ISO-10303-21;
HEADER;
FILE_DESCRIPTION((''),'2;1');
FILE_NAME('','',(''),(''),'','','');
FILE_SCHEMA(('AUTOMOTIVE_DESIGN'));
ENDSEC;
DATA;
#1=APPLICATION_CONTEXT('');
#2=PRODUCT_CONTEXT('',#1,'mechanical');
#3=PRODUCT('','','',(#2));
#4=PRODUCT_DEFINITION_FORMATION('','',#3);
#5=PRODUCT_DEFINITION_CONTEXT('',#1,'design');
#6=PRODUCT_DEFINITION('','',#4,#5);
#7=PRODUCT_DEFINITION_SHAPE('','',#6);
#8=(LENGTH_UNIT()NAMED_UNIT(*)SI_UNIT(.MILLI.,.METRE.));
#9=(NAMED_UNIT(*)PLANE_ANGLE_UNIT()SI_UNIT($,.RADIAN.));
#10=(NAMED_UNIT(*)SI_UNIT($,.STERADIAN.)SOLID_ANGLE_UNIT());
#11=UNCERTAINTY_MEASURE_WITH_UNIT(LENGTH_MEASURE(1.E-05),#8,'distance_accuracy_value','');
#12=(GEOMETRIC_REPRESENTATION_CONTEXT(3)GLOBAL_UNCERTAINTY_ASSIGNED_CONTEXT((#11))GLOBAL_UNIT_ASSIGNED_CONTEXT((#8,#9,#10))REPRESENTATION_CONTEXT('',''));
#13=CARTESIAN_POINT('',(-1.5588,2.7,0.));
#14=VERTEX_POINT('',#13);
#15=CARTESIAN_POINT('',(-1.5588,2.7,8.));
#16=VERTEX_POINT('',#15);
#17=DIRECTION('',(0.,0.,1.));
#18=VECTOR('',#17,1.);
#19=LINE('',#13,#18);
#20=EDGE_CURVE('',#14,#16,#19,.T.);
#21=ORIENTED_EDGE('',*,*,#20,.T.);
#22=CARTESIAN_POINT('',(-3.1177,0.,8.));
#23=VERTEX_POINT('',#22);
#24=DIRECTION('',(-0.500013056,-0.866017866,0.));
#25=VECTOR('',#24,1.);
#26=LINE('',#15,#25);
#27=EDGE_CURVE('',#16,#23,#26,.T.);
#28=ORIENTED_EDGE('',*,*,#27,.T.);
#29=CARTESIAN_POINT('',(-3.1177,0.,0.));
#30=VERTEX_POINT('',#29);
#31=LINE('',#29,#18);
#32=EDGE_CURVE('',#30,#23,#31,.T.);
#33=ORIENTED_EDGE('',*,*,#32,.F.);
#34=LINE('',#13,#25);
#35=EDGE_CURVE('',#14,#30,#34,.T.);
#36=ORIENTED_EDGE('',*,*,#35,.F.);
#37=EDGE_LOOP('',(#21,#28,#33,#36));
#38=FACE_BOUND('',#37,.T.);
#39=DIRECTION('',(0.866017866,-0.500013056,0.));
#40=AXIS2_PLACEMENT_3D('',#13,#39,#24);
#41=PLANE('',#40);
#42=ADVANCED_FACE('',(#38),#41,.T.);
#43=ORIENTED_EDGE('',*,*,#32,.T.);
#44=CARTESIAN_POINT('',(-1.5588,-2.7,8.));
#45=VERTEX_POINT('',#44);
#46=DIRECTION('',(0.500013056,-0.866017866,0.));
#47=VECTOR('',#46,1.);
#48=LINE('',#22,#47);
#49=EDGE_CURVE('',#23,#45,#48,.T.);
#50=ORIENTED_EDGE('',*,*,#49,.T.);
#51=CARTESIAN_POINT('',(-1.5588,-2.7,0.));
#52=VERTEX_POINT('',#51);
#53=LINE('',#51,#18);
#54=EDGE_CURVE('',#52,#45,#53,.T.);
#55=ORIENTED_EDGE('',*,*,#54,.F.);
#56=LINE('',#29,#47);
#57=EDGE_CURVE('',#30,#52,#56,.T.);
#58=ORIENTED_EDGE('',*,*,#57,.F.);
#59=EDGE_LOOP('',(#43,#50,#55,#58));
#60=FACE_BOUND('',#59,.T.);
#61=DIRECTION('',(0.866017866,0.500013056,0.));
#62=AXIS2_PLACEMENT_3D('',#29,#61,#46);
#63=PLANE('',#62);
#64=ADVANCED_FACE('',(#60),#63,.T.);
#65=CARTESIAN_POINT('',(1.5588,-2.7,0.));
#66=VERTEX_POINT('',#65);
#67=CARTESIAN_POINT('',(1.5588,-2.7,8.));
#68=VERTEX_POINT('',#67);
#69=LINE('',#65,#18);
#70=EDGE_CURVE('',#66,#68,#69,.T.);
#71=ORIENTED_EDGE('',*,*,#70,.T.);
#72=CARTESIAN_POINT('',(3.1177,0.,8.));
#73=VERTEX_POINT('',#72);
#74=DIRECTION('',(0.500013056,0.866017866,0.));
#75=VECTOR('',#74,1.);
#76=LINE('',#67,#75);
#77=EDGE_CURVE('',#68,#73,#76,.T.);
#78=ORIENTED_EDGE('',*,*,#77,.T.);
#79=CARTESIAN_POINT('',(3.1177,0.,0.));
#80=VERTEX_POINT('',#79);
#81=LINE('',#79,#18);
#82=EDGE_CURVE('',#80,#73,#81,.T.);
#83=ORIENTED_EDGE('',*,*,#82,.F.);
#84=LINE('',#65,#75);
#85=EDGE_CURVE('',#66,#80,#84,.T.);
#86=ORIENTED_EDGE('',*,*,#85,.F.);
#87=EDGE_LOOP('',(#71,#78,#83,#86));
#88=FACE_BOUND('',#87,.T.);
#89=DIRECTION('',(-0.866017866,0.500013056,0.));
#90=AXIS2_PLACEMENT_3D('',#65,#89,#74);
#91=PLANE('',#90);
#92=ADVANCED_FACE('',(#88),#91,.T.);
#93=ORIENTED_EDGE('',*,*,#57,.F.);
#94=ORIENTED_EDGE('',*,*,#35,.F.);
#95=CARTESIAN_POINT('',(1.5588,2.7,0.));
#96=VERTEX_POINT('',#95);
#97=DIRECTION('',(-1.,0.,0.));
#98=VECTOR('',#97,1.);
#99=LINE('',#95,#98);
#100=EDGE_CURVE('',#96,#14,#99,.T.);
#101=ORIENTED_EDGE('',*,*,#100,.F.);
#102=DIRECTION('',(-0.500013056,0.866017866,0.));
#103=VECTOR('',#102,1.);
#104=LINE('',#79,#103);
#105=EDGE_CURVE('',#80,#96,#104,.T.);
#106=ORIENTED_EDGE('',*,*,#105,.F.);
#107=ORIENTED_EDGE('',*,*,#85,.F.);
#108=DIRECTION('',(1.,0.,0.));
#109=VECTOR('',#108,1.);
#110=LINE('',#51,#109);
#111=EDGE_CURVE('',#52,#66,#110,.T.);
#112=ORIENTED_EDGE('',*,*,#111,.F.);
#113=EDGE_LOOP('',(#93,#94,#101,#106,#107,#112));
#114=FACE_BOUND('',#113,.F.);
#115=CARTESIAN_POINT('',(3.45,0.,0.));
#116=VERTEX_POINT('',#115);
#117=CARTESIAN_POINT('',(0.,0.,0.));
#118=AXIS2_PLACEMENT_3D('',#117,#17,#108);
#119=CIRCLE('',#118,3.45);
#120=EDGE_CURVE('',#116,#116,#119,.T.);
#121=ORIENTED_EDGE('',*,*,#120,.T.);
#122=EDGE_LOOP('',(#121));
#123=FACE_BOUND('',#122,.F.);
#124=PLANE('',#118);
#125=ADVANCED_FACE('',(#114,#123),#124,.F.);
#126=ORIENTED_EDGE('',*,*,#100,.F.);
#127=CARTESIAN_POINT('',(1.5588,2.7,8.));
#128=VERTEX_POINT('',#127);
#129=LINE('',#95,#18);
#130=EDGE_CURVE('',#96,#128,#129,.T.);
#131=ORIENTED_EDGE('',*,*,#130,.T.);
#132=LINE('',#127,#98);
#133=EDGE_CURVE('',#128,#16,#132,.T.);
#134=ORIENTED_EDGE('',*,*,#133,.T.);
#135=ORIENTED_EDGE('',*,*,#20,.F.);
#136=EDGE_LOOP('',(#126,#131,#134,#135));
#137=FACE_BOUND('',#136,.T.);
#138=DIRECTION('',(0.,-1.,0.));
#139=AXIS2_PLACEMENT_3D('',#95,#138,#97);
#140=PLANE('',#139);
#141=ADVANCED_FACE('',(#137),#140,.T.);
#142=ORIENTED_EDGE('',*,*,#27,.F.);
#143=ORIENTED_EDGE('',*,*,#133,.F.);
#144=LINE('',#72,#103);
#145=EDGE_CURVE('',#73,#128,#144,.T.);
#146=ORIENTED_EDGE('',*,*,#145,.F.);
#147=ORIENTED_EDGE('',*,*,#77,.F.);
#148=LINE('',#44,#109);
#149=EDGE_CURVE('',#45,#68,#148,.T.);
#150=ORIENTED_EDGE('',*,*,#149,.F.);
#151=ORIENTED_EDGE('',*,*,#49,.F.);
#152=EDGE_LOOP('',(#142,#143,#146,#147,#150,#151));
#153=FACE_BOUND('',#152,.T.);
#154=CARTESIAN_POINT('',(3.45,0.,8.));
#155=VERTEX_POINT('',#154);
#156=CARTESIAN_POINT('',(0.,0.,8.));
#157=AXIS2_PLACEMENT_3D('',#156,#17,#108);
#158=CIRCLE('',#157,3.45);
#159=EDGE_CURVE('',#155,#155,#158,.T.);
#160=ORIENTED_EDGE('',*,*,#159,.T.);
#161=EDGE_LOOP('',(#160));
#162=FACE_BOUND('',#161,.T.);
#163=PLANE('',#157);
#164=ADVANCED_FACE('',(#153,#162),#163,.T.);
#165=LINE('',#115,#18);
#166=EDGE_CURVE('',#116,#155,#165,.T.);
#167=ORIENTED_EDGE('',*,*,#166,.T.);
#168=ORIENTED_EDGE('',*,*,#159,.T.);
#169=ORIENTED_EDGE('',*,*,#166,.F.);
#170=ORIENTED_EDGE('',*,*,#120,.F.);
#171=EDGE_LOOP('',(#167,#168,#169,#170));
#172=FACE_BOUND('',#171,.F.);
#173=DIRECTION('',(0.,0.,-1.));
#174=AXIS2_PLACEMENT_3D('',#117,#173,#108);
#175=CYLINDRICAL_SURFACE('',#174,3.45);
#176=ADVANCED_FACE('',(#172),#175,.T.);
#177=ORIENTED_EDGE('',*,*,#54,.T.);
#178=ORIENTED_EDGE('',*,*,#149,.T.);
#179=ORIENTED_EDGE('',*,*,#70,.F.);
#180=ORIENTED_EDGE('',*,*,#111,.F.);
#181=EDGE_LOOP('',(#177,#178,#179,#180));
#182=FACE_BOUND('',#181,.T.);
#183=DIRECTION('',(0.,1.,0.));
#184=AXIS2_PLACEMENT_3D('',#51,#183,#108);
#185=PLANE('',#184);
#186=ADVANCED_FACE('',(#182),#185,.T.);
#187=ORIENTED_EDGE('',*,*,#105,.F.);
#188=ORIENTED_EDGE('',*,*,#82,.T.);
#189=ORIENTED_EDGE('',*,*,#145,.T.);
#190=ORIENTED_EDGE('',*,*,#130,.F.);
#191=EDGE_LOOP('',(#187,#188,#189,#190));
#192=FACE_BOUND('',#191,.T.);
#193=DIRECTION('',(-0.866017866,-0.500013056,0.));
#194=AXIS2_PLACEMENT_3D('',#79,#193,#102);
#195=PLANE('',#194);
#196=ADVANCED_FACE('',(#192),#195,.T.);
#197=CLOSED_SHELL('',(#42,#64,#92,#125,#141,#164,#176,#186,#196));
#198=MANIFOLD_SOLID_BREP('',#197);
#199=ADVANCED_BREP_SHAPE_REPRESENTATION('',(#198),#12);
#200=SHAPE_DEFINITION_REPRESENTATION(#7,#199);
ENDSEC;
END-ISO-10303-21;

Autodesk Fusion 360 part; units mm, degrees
sketch "スケッチ1" plane through (0, 0, 0) normal (0, 0, 1) x (1, 0, 0)
  circle A0 centre (0, 0) radius 3.45
  line L0 (3.1177, 0) -> (1.5588, 2.7)
  line L1 (1.5588, 2.7) -> (-1.5588, 2.7)
  line L2 (-1.5588, 2.7) -> (-3.1177, 0)
  line L3 (-3.1177, 0) -> (-1.5588, -2.7)
  line L4 (-1.5588, -2.7) -> (1.5588, -2.7)
  line L5 (1.5588, -2.7) -> (3.1177, 0)
  dimension "d1" = 6.9
  dimension "d2" = 5.4
extrude "押し出し1" add sketch "スケッチ1" along normal blind 8
